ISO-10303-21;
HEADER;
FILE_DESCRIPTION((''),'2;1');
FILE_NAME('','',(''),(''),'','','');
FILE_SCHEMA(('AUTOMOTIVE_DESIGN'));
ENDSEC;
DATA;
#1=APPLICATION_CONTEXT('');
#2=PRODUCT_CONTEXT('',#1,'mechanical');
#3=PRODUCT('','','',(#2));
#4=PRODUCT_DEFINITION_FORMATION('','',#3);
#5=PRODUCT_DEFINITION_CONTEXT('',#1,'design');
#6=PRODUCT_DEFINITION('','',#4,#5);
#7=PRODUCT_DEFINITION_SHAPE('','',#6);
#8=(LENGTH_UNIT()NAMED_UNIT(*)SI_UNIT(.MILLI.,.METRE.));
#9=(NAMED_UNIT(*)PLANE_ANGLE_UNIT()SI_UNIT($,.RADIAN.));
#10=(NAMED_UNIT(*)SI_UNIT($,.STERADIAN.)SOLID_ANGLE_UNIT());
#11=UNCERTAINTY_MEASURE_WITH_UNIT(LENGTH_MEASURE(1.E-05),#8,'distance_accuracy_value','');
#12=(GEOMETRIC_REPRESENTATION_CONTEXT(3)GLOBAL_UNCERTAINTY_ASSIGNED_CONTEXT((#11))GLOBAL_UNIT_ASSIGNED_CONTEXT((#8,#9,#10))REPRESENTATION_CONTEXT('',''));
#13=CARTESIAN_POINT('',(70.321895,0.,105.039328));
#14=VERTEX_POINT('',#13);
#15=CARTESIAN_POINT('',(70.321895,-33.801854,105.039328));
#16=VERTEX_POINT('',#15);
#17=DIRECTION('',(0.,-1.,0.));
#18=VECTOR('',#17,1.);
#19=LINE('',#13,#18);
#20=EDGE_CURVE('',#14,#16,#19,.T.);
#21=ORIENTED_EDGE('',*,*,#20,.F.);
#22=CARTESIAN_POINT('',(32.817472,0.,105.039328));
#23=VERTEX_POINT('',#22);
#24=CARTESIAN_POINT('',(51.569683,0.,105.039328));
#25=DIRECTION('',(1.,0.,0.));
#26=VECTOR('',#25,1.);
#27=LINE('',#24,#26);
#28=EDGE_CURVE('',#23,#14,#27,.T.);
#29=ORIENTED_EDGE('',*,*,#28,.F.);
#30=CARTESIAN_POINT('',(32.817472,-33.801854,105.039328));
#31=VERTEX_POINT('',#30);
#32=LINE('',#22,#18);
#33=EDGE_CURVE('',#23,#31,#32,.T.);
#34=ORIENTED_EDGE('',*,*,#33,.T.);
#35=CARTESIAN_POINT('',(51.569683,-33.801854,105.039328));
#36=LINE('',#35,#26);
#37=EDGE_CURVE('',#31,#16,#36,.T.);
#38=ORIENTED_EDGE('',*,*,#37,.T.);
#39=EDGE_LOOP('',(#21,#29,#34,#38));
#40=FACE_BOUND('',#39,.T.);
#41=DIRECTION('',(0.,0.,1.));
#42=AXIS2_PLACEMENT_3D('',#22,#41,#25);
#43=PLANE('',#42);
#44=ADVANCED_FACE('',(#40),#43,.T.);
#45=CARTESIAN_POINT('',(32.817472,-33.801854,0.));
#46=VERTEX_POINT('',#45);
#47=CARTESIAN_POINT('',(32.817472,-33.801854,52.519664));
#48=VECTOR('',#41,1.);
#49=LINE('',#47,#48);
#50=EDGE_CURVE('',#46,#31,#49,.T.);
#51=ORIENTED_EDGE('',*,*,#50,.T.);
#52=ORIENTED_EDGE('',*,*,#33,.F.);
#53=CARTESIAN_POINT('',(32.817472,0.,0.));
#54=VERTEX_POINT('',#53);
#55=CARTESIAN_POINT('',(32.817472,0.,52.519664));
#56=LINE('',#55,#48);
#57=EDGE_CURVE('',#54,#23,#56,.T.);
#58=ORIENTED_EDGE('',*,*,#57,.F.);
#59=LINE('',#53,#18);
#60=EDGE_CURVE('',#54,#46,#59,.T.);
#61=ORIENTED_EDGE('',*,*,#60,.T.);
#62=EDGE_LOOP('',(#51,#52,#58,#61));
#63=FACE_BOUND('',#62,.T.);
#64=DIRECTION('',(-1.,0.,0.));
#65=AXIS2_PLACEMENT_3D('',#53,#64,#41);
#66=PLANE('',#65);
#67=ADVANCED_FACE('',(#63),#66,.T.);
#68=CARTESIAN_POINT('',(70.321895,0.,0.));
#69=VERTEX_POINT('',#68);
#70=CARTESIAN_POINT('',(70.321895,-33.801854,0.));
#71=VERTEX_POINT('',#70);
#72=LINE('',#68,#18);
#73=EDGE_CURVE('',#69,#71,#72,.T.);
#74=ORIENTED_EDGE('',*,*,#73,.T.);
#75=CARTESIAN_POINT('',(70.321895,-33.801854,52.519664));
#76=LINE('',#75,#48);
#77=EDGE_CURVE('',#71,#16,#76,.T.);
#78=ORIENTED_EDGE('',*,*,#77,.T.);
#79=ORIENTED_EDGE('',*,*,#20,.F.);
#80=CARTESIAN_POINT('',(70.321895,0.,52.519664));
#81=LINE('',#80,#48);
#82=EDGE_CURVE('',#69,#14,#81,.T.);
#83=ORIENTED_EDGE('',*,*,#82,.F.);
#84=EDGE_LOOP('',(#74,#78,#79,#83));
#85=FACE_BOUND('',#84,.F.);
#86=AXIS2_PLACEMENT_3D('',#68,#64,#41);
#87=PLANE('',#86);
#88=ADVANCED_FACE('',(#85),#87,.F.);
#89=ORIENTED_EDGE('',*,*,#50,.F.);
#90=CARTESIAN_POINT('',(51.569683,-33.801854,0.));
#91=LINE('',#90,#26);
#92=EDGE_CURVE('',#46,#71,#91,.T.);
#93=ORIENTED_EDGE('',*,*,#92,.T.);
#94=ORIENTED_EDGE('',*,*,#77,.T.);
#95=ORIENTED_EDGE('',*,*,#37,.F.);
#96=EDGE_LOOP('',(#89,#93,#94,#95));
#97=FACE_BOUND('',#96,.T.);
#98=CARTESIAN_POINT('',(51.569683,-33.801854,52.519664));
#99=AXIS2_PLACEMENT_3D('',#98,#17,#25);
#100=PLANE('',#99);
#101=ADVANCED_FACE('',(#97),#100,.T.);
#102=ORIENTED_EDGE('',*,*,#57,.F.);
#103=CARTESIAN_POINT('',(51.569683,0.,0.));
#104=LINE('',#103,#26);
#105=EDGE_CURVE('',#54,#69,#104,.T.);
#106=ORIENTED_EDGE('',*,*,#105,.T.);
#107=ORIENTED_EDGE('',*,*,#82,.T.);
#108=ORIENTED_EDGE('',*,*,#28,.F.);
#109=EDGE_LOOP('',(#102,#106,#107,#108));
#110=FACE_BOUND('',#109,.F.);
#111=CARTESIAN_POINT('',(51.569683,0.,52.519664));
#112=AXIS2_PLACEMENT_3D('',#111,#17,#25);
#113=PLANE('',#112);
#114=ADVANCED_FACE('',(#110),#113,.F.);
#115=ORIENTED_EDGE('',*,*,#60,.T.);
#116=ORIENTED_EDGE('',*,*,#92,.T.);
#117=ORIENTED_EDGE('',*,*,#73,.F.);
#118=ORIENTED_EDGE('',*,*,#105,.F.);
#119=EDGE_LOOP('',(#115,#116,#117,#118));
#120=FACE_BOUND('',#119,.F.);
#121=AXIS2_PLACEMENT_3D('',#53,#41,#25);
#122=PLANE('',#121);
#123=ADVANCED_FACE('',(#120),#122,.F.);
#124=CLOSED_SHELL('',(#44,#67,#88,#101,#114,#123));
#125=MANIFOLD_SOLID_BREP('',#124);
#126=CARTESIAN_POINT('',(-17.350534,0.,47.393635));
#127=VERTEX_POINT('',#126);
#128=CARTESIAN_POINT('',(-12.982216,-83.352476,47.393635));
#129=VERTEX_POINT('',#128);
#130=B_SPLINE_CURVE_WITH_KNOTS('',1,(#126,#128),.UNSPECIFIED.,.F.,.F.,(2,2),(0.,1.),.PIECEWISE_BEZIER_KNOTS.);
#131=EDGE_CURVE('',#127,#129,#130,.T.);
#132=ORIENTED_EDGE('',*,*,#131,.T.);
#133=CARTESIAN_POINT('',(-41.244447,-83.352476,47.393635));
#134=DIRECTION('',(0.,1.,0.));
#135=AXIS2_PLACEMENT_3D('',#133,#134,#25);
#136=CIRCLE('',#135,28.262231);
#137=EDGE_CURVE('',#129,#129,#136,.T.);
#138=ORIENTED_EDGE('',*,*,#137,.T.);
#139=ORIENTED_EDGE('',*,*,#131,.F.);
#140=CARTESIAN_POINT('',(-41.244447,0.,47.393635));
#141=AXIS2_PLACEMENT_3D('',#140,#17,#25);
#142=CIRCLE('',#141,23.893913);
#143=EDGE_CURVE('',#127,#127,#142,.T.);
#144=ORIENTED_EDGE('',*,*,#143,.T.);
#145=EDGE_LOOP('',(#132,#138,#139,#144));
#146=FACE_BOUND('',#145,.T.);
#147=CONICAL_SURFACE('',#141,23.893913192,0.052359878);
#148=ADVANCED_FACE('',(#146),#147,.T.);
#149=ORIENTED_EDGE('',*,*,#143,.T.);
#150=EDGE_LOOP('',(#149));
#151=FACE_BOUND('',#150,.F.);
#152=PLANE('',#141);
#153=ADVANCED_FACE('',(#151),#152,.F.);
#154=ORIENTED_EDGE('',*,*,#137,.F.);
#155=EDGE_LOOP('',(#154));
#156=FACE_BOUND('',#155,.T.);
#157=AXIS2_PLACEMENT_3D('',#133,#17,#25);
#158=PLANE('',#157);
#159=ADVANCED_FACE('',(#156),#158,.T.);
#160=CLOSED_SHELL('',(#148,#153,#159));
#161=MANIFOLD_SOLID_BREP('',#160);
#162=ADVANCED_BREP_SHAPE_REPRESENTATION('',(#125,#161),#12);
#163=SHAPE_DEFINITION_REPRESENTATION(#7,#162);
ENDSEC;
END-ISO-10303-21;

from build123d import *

# Parameters (mm, degrees)
F0_R     = 23.8939131915
F1_DEPTH = 83.3524763584
F1_TAPER = -3
F3_W     = 37.5044234097
F3_H     = 105.0393283367
F4_DEPTH = 33.8018536568


with BuildPart() as f1:
    # F0 (on Front) → F1 (new body)
    with BuildSketch(Plane.XZ):
        with Locations((-41.2444472313, 47.3936349154)):
            Circle(F0_R)
    extrude(amount=F1_DEPTH, taper=F1_TAPER)


with BuildPart() as f4:
    # F3 (on face) → F4 (new body)
    with BuildSketch(Plane.XZ):
        with Locations((51.5696834773, 52.5196641684)):
            Rectangle(F3_W, F3_H)
    extrude(amount=F4_DEPTH)


solid = Compound([f1.part, f4.part])
